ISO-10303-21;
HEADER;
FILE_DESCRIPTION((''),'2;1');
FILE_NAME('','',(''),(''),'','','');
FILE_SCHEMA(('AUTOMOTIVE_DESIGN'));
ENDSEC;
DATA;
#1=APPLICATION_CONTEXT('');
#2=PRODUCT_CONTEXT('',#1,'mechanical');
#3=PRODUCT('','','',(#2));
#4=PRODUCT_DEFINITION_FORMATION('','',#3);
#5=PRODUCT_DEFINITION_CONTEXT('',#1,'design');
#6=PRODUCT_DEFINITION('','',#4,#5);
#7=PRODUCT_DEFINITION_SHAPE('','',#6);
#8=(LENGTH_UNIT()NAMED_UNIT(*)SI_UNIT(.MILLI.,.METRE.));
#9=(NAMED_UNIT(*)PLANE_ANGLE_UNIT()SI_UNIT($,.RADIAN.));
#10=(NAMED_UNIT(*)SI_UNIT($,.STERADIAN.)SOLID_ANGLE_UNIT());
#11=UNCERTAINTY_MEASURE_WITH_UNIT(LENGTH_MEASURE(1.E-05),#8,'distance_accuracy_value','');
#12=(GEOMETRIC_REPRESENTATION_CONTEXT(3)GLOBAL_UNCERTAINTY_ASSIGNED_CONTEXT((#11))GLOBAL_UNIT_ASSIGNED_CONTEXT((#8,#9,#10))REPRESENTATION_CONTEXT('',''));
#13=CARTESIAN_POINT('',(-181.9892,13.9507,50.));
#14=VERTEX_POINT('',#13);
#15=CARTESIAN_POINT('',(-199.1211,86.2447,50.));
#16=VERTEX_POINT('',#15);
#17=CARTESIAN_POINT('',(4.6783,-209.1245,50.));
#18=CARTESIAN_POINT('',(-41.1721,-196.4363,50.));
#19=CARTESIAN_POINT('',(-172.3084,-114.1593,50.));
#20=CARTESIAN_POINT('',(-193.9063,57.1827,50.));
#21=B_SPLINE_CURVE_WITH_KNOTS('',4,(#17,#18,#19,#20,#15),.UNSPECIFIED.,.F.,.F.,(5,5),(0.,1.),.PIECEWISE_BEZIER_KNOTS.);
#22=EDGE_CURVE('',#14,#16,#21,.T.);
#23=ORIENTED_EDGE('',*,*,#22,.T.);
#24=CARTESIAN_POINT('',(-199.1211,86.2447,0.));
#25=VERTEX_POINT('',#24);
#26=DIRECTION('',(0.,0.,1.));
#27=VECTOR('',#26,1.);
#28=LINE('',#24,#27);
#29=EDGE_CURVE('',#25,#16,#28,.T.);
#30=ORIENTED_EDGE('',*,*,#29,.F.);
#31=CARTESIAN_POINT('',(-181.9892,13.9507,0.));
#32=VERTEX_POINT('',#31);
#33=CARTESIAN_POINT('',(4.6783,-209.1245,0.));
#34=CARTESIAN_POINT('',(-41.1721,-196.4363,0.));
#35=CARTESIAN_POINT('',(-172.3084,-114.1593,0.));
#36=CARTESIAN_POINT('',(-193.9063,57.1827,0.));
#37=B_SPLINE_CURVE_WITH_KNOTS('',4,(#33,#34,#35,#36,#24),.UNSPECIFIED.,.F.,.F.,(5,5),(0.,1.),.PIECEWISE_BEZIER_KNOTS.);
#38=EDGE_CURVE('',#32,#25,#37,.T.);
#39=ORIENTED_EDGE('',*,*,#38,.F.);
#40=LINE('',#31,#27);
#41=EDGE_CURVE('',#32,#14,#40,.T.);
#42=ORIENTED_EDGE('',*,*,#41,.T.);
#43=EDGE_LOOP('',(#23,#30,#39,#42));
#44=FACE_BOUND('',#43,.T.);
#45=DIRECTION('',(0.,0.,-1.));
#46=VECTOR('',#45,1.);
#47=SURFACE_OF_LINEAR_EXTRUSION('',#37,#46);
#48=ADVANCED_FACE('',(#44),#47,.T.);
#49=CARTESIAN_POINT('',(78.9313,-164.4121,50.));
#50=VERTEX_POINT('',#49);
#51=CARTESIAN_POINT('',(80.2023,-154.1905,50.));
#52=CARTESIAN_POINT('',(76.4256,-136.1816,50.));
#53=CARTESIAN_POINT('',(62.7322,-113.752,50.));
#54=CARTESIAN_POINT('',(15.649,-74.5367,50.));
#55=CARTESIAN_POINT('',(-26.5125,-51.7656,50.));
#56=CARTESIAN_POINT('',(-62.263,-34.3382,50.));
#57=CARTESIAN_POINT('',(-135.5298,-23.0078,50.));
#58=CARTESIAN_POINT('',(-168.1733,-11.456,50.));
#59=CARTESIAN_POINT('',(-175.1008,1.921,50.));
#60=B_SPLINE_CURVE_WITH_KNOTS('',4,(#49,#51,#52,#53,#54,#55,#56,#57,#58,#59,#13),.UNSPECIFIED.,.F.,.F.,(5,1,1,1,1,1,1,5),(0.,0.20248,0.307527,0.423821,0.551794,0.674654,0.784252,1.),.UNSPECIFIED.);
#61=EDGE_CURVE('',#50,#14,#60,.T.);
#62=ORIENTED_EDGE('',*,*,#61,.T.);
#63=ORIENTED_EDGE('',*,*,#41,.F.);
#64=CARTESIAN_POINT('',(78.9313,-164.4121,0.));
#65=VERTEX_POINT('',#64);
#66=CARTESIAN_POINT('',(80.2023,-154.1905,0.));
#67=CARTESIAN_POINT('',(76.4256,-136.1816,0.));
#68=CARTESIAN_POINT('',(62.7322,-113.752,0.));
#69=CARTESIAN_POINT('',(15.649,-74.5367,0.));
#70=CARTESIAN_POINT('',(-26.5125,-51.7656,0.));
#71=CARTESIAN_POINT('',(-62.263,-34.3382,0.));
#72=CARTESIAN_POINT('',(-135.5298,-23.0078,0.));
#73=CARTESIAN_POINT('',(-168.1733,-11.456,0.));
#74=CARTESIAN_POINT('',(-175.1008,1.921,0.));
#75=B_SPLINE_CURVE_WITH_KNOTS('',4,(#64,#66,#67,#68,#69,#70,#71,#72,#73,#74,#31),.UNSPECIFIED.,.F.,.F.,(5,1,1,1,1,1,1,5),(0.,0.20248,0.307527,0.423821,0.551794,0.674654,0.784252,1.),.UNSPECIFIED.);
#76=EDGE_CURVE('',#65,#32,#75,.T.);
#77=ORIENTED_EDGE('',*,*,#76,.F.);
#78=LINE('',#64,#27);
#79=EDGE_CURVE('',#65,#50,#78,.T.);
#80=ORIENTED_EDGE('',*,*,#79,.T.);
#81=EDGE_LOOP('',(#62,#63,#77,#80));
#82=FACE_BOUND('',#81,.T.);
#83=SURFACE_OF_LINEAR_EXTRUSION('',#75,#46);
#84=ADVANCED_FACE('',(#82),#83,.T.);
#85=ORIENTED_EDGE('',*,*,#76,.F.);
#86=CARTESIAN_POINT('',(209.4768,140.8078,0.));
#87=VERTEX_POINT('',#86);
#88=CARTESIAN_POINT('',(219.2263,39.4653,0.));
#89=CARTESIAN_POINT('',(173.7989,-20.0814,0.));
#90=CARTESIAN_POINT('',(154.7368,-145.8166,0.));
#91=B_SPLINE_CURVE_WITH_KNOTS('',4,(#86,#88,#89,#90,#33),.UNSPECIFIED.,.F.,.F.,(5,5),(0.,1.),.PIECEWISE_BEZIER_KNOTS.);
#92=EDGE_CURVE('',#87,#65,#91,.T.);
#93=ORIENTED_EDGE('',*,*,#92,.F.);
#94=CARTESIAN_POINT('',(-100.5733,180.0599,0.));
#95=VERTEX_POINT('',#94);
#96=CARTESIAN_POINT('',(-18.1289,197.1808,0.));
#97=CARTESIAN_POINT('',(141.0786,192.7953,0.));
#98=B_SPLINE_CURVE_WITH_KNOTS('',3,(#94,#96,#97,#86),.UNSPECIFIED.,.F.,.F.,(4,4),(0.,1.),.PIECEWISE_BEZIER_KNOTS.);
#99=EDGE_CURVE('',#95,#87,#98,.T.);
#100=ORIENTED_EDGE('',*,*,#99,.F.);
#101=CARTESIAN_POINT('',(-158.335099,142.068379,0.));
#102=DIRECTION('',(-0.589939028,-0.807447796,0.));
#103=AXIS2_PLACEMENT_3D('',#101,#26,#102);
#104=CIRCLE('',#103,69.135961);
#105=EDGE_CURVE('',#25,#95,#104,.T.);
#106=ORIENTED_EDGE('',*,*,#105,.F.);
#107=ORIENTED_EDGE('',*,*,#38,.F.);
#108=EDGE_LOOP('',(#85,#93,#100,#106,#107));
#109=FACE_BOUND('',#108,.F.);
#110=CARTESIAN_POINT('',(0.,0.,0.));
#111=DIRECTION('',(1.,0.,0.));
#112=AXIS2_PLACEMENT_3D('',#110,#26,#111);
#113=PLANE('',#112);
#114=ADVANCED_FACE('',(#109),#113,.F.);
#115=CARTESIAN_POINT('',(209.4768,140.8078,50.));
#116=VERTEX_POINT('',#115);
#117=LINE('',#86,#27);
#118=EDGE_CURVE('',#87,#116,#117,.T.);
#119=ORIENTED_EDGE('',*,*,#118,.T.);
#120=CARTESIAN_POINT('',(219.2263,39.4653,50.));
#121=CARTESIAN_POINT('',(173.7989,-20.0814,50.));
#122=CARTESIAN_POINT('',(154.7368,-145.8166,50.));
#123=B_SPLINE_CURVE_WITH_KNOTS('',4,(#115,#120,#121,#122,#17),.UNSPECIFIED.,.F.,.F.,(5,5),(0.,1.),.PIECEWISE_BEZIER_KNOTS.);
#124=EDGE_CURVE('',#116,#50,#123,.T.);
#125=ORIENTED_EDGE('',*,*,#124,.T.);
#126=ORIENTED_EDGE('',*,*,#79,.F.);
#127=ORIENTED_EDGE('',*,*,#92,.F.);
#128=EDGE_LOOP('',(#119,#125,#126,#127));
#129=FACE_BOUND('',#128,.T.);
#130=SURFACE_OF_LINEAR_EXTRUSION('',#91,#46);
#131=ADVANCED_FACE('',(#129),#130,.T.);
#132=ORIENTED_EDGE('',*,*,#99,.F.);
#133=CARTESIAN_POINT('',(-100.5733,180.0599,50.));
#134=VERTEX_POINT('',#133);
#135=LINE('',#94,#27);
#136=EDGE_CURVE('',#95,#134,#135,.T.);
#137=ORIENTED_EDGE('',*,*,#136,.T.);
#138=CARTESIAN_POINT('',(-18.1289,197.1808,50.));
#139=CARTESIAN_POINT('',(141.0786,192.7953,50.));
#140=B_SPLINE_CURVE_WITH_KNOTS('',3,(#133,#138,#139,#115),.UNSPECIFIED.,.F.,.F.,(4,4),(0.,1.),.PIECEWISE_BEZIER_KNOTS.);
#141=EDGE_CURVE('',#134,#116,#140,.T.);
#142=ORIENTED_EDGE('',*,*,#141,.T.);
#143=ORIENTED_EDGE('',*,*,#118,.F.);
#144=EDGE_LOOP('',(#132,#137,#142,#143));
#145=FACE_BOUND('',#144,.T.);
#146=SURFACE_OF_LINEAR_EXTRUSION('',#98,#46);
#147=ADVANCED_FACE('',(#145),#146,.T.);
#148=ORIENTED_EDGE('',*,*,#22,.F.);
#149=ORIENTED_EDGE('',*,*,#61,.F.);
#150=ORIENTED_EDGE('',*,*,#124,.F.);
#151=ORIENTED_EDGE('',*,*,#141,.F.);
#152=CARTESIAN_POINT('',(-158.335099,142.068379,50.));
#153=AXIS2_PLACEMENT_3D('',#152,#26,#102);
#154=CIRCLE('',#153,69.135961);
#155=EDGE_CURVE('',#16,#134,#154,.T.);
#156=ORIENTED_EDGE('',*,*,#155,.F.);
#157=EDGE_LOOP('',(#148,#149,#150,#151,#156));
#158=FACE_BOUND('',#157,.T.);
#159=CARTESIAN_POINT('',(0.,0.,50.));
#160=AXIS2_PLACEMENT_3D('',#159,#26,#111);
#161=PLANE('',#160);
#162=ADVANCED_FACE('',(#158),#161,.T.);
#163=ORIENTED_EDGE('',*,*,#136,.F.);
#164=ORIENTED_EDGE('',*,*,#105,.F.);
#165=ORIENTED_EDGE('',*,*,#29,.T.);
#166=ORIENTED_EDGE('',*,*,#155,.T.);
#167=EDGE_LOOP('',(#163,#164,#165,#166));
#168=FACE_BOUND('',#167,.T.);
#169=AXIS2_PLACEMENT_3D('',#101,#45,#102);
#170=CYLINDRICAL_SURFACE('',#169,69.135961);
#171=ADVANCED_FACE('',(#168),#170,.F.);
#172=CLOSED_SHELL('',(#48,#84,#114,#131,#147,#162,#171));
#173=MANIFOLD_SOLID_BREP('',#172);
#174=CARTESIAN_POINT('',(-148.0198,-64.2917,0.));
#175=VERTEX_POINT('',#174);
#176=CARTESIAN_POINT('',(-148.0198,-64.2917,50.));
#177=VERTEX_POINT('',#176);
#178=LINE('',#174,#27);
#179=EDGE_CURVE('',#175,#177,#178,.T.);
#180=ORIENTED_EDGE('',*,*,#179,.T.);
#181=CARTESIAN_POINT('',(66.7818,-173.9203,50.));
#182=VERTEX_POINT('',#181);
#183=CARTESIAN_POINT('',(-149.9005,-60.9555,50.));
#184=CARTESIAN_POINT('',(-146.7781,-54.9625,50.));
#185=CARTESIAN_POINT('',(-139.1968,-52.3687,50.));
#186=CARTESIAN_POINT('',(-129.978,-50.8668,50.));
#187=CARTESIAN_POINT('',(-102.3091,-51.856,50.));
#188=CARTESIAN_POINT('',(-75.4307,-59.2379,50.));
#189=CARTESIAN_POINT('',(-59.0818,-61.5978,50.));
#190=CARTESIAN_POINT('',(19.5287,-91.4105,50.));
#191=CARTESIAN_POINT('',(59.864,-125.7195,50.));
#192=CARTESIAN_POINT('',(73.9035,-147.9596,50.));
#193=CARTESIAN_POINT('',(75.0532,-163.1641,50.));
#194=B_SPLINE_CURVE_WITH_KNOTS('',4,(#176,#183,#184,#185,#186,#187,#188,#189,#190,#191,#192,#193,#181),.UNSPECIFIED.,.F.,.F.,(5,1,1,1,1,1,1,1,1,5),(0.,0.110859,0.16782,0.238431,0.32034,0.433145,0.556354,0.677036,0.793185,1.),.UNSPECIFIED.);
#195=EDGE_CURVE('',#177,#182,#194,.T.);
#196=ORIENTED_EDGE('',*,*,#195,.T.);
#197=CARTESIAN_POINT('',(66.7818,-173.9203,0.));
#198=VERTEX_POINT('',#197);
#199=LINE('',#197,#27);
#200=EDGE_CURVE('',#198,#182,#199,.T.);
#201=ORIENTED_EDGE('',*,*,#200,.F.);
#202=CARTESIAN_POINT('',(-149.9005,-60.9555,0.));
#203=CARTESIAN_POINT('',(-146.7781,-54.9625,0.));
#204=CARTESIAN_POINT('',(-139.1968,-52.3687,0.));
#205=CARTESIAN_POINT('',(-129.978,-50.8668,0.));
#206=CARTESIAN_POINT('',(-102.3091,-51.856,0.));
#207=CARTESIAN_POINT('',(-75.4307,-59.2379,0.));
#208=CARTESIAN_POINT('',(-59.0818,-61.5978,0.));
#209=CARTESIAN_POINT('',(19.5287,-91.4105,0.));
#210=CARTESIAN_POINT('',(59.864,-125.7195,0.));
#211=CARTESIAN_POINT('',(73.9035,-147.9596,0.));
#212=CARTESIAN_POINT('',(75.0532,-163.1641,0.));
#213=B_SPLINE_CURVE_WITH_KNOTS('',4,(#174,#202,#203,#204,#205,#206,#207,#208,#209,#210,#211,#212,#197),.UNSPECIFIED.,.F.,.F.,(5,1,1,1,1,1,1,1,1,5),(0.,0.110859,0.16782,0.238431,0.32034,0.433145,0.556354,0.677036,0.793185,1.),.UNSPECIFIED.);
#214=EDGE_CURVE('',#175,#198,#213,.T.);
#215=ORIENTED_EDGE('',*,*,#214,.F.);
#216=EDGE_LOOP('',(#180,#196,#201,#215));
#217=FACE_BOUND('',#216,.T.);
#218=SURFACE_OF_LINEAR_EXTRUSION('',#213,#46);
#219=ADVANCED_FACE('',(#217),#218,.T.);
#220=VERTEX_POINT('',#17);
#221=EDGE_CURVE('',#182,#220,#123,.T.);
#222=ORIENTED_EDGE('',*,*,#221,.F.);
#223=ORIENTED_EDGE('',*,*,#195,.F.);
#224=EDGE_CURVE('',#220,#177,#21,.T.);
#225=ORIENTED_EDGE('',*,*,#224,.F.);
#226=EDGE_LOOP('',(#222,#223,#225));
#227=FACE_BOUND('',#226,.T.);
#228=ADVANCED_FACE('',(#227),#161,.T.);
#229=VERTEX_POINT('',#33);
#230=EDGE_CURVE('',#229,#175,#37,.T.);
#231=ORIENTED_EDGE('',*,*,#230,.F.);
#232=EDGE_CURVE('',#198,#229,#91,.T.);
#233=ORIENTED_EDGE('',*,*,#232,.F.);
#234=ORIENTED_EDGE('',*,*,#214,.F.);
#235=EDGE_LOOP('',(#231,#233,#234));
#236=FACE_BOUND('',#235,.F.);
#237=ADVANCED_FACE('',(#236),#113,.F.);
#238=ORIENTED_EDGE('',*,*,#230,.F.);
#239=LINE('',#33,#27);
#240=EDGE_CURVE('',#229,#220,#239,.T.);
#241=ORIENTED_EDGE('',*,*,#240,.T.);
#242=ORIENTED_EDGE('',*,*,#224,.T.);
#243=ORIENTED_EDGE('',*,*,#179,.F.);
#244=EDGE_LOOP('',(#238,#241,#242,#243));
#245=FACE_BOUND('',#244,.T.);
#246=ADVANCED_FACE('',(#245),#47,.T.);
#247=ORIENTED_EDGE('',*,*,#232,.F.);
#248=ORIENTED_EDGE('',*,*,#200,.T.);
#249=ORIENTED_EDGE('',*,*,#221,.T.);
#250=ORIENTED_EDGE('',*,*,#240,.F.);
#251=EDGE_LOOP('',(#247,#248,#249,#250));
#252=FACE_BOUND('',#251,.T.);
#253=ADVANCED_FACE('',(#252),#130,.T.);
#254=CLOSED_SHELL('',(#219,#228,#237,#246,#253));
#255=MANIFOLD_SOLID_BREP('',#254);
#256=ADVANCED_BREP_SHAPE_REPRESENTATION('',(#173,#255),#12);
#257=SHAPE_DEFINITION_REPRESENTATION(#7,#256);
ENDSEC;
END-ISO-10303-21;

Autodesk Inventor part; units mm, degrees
ref_plane "YZ Plane" through (0, 0, 0) normal (1, 0, 0) x (0, 1, 0)
ref_plane "XZ Plane" through (0, 0, 0) normal (0, 1, 0) x (-1, 0, 0)
ref_plane "XY Plane" through (0, 0, 0) normal (0, 0, 1) x (1, 0, 0)
sketch "Sketch4" plane through (0, 0, 0) normal (0, 0, 1) x (1, 0, 0)
  line L0 (-250, 240.282) -> (250, 240.282) construction
  line L1 (250, 240.282) -> (250, -240.282) construction
  line L2 (250, -240.282) -> (-250, -240.282) construction
  line L3 (-250, -240.282) -> (-250, 240.282) construction
  spline S0 degree 3 poles (-100.5733, 180.0599) (-18.1289, 197.1808) (141.0786, 192.7953) (209.4768, 140.8078) knots 0 0 0 0 1 1 1 1
  spline S1 degree 4 poles (209.4768, 140.8078) (219.2263, 39.4653) (173.7989, -20.0814) (154.7368, -145.8166) (4.6783, -209.1245) knots 0 0 0 0 0 1 1 1 1 1
  spline S2 degree 4 poles (4.6783, -209.1245) (-41.1721, -196.4363) (-172.3084, -114.1593) (-193.9063, 57.1827) (-199.1211, 86.2447) knots 0 0 0 0 0 1 1 1 1 1
  spline S3 degree 4 poles (78.9313, -164.4121) (80.2023, -154.1905) (76.4256, -136.1816) (62.7322, -113.752) (15.649, -74.5367) (-26.5125, -51.7656) (-62.263, -34.3382) (-135.5298, -23.0078) (-168.1733, -11.456) (-175.1008, 1.921) (-181.9892, 13.9507) knots 0 0 0 0 0 0.20248 0.307527 0.423821 0.551794 0.674654 0.784252 1 1 1 1 1
  spline S4 degree 4 poles (-148.0198, -64.2917) (-149.9005, -60.9555) (-146.7781, -54.9625) (-139.1968, -52.3687) (-129.978, -50.8668) (-102.3091, -51.856) (-75.4307, -59.2379) (-59.0818, -61.5978) (19.5287, -91.4105) (59.864, -125.7195) (73.9035, -147.9596) (75.0532, -163.1641) (66.7818, -173.9203) knots 0 0 0 0 0 0.110859 0.16782 0.238431 0.32034 0.433145 0.556354 0.677036 0.793185 1 1 1 1 1
  arc A0 (-199.1211, 86.2447) -> (-100.5733, 180.0599) centre (-158.3351, 142.0684) ccw
  point P0 (0, 0)
  point P1 (0, 240.282)
  point P2 (250, 0)
  point P3 (-2.8391, 189.0369)
  point P4 (123.9149, 176.3847)
  point P5 (204.8802, 59.3886)
  point P6 (181.494, -16.6319)
  point P7 (132.6485, -106.5476)
  point P8 (-49.3817, -180.0894)
  point P9 (-141.2266, -76.0722)
  point P10 (-191.022, 45.65)
  point P11 (78.2312, -149.9094)
  point P12 (72.0281, -132.7953)
  point P13 (55.9746, -110.9345)
  point P14 (18.6852, -79.083)
  point P15 (-24.7132, -53.2255)
  point P16 (-67.4843, -35.9569)
  point P17 (-127.3284, -22.6196)
  point P18 (-159.68, -11.2852)
  point P19 (-172.8121, -0.4015)
  point P20 (-148.0233, -59.0474)
  point P21 (-144.1963, -54.8947)
  point P22 (-139.0258, -52.6962)
  point P23 (-132.3896, -51.5562)
  point P24 (-109.3867, -52.2483)
  point P25 (-81.9055, -57.256)
  point P26 (-59.7984, -62.9559)
  point P27 (17.9712, -95.3711)
  point P28 (56.4602, -126.0196)
  point P29 (69.2027, -144.6024)
  point P30 (72.5925, -158.7334)
  dimension "d23" = 500
  dimension "d27" = 480.564
extrude "Extrusion3" add sketch "Sketch4" along normal blind 50 contours S0 S1 S3 S2 A0 | S1 S2 S4
equation "\"BendRadius\" = Thickness"
equation "\"BendReliefWidth\" = Thickness"
equation "\"BendReliefDepth\" = 0.5 * Thickness"
equation "\"CornerReliefSize\" = 4 * Thickness"
equation "\"MinimumRemnant\" = 2 * Thickness"
equation "\"TransitionRadius\" = BendRadius"
equation "\"JacobiRadiusSize\" = BendRadius"
equation "\"GapSize\" = Thickness"
equation "\"Thickness\" = 1.5"
properties part number "rl shield" material "Aço Inox AISI 304"
